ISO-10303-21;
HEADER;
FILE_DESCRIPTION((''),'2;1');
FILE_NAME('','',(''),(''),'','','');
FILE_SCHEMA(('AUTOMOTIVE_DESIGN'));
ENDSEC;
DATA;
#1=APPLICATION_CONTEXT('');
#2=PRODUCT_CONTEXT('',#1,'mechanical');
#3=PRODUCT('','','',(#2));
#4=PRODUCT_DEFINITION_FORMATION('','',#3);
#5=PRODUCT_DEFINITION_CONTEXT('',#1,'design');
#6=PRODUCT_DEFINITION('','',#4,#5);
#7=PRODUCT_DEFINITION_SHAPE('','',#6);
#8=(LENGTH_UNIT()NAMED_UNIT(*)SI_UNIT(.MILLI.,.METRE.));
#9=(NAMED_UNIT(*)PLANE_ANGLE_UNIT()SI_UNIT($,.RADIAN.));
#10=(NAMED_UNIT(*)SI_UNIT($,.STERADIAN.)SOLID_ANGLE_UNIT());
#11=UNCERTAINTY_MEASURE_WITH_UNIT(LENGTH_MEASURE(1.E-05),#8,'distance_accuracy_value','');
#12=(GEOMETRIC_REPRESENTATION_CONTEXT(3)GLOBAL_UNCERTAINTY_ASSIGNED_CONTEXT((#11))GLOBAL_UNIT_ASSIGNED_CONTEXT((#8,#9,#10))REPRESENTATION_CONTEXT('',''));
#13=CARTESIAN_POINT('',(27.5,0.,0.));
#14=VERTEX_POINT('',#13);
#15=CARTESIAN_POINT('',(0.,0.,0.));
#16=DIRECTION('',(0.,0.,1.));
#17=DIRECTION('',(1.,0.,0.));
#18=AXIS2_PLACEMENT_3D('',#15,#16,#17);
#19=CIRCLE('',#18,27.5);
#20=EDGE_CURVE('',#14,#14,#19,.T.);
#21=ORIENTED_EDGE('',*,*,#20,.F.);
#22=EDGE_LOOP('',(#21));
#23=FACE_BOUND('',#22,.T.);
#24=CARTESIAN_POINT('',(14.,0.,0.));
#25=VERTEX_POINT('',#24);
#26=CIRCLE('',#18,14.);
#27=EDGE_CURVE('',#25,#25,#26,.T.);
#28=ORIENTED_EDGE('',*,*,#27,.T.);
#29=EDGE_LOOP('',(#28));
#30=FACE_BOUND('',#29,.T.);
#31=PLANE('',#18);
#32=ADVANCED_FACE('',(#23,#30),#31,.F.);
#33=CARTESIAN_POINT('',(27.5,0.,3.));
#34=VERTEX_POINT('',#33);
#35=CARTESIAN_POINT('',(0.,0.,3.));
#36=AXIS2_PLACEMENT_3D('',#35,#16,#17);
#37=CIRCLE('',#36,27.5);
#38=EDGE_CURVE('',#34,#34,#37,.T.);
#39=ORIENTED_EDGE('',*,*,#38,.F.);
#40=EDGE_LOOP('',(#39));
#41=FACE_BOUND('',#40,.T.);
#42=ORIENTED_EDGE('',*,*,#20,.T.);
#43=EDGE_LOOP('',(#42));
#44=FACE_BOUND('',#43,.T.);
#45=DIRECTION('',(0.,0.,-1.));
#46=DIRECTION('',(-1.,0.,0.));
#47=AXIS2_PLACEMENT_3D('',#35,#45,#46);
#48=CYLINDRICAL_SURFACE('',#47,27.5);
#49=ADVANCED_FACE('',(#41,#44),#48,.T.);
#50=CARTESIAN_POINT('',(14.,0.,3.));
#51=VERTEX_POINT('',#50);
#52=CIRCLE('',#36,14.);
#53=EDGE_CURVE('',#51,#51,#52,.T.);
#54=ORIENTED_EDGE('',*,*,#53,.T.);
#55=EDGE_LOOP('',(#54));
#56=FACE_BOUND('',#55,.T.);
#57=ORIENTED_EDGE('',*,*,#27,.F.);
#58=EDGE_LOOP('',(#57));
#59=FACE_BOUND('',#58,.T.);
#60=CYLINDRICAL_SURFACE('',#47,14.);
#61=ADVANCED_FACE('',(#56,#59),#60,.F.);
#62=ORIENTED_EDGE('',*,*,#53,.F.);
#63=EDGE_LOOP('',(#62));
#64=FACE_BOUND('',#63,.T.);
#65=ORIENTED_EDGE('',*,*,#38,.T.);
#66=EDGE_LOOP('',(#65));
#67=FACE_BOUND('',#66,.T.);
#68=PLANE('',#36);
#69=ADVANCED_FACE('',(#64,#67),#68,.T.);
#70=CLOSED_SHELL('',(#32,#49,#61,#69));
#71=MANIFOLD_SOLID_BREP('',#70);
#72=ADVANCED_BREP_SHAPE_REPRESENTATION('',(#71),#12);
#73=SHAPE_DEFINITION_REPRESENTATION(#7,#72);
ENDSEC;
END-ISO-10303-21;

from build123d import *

# Parameters (mm, degrees)
SKETCH_1_R      = 27.5
SKETCH_1_R_2    = 14
EXTRUDE_1_DEPTH = 3


with BuildPart() as part:
    # 草图1 → 凸台-拉伸1 (new body)
    with BuildSketch(Plane.XY):
        Circle(SKETCH_1_R)
        Circle(SKETCH_1_R_2, mode=Mode.SUBTRACT)
    extrude(amount=EXTRUDE_1_DEPTH)


solid = part.part
